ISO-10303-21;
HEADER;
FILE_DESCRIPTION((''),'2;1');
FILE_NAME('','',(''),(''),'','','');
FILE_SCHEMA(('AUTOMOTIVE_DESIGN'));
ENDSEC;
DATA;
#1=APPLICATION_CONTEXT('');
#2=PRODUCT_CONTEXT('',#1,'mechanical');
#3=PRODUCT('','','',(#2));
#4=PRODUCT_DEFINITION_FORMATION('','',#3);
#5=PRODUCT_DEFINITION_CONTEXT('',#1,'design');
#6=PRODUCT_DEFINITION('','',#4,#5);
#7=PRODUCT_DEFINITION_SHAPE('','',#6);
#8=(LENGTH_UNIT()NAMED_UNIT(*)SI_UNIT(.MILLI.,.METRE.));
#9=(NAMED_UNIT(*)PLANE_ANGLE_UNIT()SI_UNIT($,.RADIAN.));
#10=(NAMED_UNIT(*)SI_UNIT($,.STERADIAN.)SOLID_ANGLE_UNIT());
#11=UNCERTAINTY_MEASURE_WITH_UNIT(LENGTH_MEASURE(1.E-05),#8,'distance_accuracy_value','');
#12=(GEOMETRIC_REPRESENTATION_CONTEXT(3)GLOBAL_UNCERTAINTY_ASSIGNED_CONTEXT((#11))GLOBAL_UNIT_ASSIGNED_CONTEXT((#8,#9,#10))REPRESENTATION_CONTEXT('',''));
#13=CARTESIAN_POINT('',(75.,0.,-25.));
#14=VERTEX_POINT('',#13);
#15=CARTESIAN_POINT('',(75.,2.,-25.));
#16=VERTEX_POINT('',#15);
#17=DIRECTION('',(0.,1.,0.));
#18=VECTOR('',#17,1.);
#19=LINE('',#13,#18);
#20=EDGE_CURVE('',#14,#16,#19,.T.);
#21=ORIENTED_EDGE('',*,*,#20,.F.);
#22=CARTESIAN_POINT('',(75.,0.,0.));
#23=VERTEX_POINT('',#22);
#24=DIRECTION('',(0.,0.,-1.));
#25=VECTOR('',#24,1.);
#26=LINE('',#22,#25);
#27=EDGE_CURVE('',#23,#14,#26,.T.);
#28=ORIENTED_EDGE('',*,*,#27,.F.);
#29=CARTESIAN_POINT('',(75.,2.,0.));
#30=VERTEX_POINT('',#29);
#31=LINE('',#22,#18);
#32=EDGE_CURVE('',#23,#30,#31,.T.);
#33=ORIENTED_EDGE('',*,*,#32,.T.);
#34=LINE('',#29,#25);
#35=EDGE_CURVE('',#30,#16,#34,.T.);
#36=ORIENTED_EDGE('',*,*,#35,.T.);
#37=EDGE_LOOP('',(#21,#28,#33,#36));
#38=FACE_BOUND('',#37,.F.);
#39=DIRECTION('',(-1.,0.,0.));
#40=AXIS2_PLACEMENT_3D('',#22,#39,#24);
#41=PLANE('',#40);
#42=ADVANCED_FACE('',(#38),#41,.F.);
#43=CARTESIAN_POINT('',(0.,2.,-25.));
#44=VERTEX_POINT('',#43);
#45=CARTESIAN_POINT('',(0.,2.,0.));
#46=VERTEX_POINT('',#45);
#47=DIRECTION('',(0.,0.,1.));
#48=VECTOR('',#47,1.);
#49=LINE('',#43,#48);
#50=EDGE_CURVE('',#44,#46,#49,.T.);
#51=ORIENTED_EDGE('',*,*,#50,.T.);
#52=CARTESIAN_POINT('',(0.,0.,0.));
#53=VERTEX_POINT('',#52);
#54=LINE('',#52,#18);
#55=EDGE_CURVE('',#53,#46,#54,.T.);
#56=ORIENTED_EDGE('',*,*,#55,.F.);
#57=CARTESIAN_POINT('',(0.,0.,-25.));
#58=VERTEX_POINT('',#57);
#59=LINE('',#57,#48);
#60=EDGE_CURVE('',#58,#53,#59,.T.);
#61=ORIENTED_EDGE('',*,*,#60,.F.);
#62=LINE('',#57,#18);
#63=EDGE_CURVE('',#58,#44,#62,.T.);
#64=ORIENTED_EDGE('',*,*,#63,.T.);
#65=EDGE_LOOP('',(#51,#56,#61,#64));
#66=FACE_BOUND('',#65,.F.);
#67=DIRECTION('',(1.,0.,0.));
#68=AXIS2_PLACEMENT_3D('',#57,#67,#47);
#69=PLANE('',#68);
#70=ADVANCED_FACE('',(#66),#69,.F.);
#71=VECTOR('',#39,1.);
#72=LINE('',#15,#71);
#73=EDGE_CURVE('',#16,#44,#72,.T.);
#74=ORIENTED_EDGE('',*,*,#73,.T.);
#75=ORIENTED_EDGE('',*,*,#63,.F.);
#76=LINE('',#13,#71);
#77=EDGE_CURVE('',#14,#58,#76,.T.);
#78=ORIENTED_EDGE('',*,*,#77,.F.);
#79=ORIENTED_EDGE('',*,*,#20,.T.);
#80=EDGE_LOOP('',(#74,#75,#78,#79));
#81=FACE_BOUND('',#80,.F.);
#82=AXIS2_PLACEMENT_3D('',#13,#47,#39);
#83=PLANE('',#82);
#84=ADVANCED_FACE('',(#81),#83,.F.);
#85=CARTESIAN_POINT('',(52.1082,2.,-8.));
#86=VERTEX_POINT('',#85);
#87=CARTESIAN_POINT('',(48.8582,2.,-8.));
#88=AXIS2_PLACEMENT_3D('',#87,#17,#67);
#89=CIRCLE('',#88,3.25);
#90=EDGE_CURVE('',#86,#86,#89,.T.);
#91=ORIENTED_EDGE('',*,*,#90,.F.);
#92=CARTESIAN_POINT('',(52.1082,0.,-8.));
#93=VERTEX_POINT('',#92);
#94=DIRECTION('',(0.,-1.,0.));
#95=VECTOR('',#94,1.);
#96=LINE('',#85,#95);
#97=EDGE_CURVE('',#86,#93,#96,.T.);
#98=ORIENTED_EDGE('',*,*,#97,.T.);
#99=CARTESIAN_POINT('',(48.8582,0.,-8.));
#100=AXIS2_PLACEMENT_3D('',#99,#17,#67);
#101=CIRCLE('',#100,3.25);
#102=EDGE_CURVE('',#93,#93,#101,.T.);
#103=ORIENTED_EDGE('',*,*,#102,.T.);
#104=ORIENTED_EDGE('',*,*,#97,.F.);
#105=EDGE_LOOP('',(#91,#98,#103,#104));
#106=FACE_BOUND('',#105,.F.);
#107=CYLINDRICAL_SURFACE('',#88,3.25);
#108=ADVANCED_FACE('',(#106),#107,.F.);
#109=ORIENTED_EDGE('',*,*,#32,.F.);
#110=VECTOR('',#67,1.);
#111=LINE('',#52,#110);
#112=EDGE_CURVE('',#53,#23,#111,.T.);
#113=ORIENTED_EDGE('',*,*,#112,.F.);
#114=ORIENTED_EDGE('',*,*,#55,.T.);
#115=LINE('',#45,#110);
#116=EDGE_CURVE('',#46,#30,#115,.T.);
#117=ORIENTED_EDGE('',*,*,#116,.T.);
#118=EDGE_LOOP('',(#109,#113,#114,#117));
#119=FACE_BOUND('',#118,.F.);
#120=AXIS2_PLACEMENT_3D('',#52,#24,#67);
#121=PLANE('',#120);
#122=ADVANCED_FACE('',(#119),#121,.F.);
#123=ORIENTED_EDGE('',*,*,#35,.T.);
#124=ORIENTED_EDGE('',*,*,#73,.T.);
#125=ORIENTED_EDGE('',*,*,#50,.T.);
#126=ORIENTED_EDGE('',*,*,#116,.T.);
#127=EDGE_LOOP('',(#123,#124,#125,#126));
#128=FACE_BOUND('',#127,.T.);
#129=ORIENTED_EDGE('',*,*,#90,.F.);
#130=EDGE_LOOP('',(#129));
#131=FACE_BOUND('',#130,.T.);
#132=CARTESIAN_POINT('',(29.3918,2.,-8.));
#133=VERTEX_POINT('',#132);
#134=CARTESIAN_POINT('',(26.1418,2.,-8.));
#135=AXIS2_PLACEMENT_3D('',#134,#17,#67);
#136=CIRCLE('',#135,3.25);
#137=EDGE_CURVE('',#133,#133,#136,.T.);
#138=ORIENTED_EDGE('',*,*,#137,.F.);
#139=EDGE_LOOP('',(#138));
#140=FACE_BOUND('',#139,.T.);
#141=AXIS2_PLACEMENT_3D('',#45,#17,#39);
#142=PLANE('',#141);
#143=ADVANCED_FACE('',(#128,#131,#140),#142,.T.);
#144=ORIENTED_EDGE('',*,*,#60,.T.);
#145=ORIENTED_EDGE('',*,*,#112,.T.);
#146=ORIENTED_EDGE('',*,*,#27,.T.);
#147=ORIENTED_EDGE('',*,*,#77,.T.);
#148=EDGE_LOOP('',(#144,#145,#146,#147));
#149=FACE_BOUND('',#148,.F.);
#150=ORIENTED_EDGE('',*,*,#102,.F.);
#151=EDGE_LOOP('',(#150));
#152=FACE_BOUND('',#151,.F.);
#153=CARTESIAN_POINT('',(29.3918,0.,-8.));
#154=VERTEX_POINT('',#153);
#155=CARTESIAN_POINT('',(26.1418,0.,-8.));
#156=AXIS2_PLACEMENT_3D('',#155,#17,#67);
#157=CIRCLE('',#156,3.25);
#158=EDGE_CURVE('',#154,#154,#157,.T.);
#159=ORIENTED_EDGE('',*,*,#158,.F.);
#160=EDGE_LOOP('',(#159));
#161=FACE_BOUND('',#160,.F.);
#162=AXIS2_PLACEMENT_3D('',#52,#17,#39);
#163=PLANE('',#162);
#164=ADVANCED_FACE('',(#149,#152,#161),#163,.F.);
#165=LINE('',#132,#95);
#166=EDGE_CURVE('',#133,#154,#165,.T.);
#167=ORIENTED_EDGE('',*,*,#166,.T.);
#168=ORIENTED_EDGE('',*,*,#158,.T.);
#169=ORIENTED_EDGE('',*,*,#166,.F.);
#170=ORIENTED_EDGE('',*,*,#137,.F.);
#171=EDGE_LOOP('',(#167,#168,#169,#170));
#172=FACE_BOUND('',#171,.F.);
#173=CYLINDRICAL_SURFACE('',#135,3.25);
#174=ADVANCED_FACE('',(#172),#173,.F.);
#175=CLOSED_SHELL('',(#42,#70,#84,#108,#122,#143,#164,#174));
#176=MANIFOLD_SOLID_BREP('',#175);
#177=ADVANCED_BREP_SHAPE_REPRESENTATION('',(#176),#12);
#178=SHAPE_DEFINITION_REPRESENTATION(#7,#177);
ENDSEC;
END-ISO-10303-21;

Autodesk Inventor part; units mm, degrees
ref_plane "YZ Plane" through (0, 0, 0) normal (1, 0, 0) x (0, 1, 0)
ref_plane "XZ Plane" through (0, 0, 0) normal (0, 1, 0) x (-1, 0, 0)
ref_plane "XY Plane" through (0, 0, 0) normal (0, 0, 1) x (1, 0, 0)
sketch "Sombreado_1" plane through (0, 0, 0) normal (0, 0, 1) x (1, 0, 0)
  point P0 (0, 0)
sketch "Sombreado_2" plane through (0, 0, 0) normal (0, 0, 1) x (1, 0, 0)
  point P0 (0, 0)
sketch "Sombreado_3" plane through (0, 0, 0) normal (0, 0, 1) x (1, 0, 0)
  point P0 (0, 0)
sketch "Boceto1" plane through (0, 0, 0) normal (0, 1, 0) x (-1, 0, 0)
  line L0 (30.3882, 1.25) -> (30.8882, 1.25)
  line L1 (0, -6.75) -> (75, -6.75)
  line L2 (75, -6.75) -> (75, 18.25)
  line L3 (75, 18.25) -> (0, 18.25)
  line L4 (0, 18.25) -> (0, -6.75)
  arc A0 (21.3882, 1.25) -> (30.8882, 1.25) centre (26.1382, 1.25) ccw
  arc A1 (21.8882, 1.25) -> (30.3882, 1.25) centre (26.1382, 1.25) ccw
  line L5 (21.3882, 1.25) -> (21.8882, 1.25)
  line L6 (1.8, 2.5) -> (5.3, 2.5)
  line L7 (1.8, 2.5) -> (1.8, 3)
  line L8 (1.8, 3) -> (1, 3)
  line L9 (1, 3) -> (1, 2.5)
  line L10 (1, 0) -> (0, 0)
  line L11 (1, 0) -> (1, -0.5)
  line L12 (1, -0.5) -> (1.8, -0.5)
  line L13 (1.8, -0.5) -> (1.8, 0)
  line L14 (5.3, 0) -> (1.8, 0)
  line L15 (0, 2.5) -> (1, 2.5)
  line L16 (1.8, 11.5) -> (5.3, 11.5)
  line L17 (5.3, 9) -> (1.8, 9)
  line L18 (1, 9) -> (0, 9)
  line L19 (0, 11.5) -> (1, 11.5)
  line L20 (1.8, 11.5) -> (1.8, 12)
  line L21 (1.8, 12) -> (1, 12)
  line L22 (1, 12) -> (1, 11.5)
  line L23 (1, 9) -> (1, 8.5)
  line L24 (1, 8.5) -> (1.8, 8.5)
  line L25 (1.8, 8.5) -> (1.8, 9)
  line L26 (44.6082, 1.25) -> (44.1082, 1.25)
  arc A2 (44.1082, 1.25) -> (53.6082, 1.25) centre (48.8582, 1.25) ccw
  arc A3 (44.6082, 1.25) -> (53.1082, 1.25) centre (48.8582, 1.25) ccw
  line L27 (53.6082, 1.25) -> (53.1082, 1.25)
  line L28 (73.1964, 2.5) -> (69.6964, 2.5)
  line L29 (69.6964, 0) -> (73.1964, 0)
  line L30 (73.9964, 0) -> (74.9964, 0)
  line L31 (74.9964, 2.5) -> (73.9964, 2.5)
  line L32 (73.1964, 2.5) -> (73.1964, 3)
  line L33 (73.1964, 3) -> (73.9964, 3)
  line L34 (73.9964, 3) -> (73.9964, 2.5)
  line L35 (73.9964, 0) -> (73.9964, -0.5)
  line L36 (73.9964, -0.5) -> (73.1964, -0.5)
  line L37 (73.1964, -0.5) -> (73.1964, 0)
  line L38 (73.1964, 11.5) -> (69.6964, 11.5)
  line L39 (69.6964, 9) -> (73.1964, 9)
  line L40 (73.9964, 9) -> (74.9964, 9)
  line L41 (74.9964, 11.5) -> (73.9964, 11.5)
  line L42 (73.1964, 11.5) -> (73.1964, 12)
  line L43 (73.1964, 12) -> (73.9964, 12)
  line L44 (73.9964, 12) -> (73.9964, 11.5)
  line L45 (73.9964, 9) -> (73.9964, 8.5)
  line L46 (73.9964, 8.5) -> (73.1964, 8.5)
  line L47 (73.1964, 8.5) -> (73.1964, 9)
  line L48 (75, 18.25) -> (75, 43.25)
  line L49 (75, 43.25) -> (0, 43.25)
  line L50 (0, 43.25) -> (0, 18.25)
  line L51 (5.3, 11.5) -> (5.3, 9)
  line L52 (5.3, 2.5) -> (5.3, 0)
  line L53 (69.6964, 11.5) -> (69.6964, 9)
  line L54 (69.6964, 2.5) -> (69.6964, 0)
  circle A4 centre (26.1382, 1.25) radius 3.25
  circle A5 centre (48.8582, 1.25) radius 3.25
  circle A6 centre (26.1382, 26.25) radius 3.25
  circle A7 centre (48.8582, 26.25) radius 3.25
  line L55 (75, 43.25) -> (75, 68.25)
  line L56 (75, 68.25) -> (0, 68.25)
  line L57 (0, 68.25) -> (0, 43.25)
  circle A8 centre (26.1382, 51.25) radius 3.25
  circle A9 centre (48.8582, 51.25) radius 3.25
  point P0 (0, 0)
sketch "Boceto3" plane through (0, 0, 0) normal (0, 1, 0) x (-1, 0, 0)
  line L0 (0, 0) -> (-75, 0)
  line L1 (-75, 0) -> (-75, -25)
  line L2 (-75, -25) -> (0, -25)
  line L3 (0, -25) -> (0, 0)
  line L4 (0, 0) -> (-75, 0)
  line L5 (-75, 0) -> (-75, -25)
  line L6 (-75, -25) -> (0, -25)
  line L7 (0, -25) -> (0, 0)
  dimension "d4" = 75
  dimension "d5" = 25
  dimension "d6" = 75
  dimension "d7" = 25
extrude "Extrusión1" add sketch "Boceto3" along normal blind 2
sketch "Boceto4" plane through (0, 2, 0) normal (0, 1, 0) x (1, 0, 0)
  circle A0 centre (26.1418, 8) radius 3.25
  circle A1 centre (48.8582, 8) radius 3.25
extrude "Extrusión2" cut sketch "Boceto4" against normal blind 2
properties part number "2ureactor TorusTapa2" material "PPS Plastic"
